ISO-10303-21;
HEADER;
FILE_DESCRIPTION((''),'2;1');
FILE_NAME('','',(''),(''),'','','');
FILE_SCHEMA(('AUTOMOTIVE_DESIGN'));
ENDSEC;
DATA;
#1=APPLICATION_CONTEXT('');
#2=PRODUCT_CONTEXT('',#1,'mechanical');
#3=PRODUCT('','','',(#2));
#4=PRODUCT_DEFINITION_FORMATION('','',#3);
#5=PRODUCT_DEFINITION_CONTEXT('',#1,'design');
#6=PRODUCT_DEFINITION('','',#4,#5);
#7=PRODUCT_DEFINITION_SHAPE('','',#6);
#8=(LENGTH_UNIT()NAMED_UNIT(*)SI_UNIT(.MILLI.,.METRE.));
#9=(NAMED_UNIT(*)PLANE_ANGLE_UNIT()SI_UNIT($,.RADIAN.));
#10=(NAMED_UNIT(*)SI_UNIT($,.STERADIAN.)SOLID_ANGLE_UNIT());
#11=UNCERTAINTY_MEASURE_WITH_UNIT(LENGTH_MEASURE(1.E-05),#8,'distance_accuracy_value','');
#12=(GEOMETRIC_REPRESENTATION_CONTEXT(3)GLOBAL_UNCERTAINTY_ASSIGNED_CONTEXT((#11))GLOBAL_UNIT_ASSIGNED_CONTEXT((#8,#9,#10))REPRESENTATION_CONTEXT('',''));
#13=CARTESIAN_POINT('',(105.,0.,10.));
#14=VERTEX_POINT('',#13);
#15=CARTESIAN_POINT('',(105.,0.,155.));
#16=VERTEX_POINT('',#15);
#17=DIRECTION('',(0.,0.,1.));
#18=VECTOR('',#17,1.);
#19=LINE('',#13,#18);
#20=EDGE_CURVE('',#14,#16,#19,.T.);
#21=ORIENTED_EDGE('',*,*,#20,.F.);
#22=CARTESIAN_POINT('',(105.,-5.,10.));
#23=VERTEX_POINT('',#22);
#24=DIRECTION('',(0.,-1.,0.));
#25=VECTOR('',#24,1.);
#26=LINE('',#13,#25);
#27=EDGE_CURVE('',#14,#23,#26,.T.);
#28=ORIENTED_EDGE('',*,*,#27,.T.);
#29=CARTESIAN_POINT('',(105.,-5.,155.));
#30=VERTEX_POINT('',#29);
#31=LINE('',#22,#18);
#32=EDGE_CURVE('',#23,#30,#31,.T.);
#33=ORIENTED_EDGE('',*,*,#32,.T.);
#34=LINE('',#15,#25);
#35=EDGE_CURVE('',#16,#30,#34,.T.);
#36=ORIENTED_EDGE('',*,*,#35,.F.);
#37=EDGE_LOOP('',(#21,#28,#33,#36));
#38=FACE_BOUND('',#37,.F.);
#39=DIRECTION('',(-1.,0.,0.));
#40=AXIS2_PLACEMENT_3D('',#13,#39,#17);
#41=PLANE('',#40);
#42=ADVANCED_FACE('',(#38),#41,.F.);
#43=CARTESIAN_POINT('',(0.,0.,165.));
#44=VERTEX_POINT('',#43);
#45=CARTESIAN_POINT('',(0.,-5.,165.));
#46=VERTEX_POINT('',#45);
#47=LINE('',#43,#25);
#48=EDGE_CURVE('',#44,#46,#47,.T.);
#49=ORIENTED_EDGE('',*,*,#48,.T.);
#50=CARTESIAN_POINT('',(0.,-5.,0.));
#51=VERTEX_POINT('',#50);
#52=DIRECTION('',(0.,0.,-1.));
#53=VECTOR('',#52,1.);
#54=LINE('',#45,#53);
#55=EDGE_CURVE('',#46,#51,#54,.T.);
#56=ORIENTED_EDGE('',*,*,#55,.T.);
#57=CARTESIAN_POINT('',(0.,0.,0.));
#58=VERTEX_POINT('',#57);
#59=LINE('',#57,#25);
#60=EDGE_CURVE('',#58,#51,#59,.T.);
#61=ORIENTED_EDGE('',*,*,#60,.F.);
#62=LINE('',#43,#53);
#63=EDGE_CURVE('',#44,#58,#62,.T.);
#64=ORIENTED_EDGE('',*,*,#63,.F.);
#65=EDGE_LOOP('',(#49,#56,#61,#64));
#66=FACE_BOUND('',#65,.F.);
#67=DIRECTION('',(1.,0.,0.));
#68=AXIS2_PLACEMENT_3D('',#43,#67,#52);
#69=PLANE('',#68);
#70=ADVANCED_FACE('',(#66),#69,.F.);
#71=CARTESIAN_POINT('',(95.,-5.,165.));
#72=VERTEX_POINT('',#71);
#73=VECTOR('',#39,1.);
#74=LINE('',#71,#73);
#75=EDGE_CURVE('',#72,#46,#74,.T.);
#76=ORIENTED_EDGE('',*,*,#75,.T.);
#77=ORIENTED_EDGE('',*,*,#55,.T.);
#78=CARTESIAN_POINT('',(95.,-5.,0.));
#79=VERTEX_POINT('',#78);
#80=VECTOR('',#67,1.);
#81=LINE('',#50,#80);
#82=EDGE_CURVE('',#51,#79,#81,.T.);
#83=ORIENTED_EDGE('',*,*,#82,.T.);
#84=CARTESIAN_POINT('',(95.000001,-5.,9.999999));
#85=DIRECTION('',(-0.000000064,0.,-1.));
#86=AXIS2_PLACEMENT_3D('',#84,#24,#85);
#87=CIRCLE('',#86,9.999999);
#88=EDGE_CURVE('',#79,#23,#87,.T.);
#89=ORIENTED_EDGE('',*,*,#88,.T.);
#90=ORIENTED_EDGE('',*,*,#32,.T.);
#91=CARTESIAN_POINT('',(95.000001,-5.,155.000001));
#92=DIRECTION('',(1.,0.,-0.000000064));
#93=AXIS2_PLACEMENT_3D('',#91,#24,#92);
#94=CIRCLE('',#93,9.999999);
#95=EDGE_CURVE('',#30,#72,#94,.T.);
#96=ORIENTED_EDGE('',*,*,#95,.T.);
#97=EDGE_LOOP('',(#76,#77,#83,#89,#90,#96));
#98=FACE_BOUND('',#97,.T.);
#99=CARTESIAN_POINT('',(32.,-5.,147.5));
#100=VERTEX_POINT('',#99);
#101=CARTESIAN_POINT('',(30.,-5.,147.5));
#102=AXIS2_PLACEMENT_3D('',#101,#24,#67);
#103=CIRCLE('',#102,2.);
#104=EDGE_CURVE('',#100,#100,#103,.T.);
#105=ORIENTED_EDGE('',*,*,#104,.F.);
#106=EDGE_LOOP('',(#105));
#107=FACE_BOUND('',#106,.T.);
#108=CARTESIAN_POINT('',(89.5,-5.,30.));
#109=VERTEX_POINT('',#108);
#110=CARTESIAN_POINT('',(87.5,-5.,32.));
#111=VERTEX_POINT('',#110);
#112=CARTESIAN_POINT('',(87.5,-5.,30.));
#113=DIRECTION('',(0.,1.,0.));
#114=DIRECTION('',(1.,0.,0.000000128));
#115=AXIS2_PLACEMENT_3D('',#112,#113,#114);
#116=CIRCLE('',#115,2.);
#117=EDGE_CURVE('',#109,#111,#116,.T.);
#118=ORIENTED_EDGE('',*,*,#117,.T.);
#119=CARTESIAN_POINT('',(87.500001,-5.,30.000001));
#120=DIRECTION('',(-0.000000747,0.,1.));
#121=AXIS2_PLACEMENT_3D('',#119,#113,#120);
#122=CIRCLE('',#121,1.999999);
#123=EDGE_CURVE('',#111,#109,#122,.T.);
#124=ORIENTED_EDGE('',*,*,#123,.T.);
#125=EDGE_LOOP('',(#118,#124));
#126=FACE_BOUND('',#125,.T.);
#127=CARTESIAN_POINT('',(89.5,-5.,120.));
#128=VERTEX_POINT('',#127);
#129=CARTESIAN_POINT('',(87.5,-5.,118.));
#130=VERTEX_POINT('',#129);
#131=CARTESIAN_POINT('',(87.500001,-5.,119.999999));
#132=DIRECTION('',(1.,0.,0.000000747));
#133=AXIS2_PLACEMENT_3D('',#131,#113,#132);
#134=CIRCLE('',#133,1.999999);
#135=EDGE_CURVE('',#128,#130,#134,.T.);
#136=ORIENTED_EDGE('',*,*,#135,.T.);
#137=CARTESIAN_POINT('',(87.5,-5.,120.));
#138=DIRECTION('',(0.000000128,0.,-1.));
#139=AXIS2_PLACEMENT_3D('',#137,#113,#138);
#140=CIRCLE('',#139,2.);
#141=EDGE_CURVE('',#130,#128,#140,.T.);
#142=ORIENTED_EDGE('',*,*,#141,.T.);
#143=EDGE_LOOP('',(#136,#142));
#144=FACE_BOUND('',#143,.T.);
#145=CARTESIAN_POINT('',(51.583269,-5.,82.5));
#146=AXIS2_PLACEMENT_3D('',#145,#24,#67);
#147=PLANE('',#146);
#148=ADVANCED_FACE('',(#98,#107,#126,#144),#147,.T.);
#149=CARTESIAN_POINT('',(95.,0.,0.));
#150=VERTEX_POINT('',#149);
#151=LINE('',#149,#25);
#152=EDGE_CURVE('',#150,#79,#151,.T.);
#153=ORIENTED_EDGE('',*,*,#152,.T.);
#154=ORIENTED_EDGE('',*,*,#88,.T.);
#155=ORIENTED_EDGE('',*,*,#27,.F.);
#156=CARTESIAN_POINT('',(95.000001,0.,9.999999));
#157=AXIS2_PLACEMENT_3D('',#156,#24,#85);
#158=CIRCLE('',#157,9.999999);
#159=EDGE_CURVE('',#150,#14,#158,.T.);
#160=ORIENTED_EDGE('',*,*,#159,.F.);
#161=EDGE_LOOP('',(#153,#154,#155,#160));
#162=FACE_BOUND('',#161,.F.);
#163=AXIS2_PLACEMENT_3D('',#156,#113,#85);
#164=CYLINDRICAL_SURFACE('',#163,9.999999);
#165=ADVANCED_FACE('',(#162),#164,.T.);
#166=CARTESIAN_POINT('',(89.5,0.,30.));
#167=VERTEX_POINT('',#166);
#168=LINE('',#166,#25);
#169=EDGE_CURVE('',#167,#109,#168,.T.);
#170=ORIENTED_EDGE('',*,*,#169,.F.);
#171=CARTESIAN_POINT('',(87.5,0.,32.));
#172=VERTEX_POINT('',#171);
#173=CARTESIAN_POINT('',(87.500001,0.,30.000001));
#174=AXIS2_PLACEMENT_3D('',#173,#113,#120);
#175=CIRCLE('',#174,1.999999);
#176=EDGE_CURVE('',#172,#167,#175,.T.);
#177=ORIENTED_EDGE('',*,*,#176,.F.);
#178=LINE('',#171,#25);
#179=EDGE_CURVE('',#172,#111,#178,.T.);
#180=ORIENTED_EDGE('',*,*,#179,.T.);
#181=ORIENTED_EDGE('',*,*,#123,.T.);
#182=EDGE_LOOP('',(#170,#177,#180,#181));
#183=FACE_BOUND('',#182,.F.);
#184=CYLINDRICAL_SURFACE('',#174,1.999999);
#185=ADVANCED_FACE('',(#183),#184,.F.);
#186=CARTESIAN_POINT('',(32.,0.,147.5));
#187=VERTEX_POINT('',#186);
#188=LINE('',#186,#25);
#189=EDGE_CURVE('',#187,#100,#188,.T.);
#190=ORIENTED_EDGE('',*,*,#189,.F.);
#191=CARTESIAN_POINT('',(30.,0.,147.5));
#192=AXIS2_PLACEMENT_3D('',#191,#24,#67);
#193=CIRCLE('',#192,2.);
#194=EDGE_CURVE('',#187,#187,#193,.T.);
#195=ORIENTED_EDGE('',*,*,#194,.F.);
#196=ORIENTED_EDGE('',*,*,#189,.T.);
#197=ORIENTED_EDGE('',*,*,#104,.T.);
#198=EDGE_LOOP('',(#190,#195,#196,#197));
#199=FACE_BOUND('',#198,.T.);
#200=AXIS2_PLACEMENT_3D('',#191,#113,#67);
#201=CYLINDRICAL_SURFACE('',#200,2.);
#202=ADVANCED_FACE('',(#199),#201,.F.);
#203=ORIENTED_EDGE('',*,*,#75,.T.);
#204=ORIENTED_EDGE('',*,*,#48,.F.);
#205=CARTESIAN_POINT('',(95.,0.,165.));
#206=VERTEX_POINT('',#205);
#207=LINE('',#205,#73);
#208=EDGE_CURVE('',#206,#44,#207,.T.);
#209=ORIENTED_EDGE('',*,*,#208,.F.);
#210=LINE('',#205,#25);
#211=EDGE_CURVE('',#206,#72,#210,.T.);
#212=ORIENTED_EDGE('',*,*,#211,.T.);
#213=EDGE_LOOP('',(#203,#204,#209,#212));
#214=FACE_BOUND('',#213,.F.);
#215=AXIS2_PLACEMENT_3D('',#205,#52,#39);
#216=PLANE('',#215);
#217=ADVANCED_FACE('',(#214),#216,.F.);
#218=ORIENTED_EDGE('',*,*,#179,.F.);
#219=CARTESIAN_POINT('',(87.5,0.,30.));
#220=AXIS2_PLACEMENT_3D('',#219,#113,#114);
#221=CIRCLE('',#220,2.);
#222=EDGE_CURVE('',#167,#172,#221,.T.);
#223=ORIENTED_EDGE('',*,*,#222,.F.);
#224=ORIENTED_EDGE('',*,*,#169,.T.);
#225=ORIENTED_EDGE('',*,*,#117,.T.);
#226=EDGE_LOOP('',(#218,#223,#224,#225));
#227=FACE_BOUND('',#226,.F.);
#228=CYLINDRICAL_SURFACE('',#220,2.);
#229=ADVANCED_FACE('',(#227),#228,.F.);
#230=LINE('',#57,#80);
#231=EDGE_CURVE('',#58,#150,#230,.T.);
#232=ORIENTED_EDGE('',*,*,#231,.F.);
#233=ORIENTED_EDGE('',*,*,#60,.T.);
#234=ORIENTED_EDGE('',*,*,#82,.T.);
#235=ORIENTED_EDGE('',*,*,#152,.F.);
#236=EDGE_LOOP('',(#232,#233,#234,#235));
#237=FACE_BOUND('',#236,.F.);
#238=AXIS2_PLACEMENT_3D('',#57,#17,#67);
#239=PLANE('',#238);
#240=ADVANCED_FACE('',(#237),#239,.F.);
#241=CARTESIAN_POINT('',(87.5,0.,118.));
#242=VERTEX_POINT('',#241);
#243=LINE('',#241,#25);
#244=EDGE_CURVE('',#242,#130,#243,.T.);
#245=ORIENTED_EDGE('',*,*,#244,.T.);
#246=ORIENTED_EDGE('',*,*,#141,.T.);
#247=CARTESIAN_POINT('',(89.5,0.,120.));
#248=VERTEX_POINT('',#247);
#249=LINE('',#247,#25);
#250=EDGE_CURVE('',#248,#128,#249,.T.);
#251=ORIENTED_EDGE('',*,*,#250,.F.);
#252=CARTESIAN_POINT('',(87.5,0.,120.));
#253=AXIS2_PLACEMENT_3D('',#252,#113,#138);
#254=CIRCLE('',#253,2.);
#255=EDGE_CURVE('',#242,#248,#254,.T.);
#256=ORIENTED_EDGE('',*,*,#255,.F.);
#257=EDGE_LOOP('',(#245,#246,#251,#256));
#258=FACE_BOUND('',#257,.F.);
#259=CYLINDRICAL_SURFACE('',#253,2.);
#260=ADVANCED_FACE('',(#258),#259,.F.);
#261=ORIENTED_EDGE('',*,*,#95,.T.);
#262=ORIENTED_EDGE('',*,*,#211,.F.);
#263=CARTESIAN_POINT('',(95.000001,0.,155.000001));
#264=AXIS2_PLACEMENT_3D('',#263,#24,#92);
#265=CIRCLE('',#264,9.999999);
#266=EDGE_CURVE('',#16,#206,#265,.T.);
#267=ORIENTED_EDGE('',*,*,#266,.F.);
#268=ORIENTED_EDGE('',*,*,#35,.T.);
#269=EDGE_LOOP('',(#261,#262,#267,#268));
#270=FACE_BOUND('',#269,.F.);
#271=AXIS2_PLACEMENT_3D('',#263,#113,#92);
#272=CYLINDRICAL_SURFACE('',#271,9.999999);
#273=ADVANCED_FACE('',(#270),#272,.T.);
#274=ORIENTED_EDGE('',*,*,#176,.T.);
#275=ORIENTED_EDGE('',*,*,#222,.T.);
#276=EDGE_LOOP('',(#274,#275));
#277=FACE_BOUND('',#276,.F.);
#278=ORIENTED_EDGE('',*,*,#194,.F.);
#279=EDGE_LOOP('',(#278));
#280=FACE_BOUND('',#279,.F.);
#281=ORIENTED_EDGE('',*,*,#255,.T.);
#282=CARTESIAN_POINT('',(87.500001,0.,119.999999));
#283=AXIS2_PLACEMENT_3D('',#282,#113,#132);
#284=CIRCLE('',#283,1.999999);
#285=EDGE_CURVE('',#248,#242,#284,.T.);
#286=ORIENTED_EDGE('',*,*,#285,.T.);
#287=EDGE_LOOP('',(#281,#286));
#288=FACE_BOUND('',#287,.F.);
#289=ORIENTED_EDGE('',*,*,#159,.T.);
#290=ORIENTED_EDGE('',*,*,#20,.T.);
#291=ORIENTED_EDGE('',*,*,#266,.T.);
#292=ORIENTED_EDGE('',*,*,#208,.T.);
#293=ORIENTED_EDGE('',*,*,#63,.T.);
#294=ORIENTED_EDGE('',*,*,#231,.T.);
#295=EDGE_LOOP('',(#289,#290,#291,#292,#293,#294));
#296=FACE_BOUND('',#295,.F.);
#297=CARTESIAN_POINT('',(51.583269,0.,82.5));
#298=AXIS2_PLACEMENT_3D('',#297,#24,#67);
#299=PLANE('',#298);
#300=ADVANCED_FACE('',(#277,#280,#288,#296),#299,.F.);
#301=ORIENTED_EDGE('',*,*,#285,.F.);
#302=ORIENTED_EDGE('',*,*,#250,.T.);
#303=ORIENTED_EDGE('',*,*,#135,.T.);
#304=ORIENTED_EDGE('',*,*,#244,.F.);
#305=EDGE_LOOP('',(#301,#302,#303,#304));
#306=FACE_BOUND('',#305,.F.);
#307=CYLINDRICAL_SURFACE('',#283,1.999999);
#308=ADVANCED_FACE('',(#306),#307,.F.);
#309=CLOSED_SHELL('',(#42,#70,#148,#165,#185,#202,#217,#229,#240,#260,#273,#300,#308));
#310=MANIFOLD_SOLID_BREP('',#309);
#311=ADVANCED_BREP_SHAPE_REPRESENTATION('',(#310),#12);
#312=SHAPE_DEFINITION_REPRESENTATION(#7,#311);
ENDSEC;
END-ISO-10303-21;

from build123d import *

# Parameters (mm, degrees)
F0_R     = 2
F1_DEPTH = 5


with BuildPart() as f1:
    # F0 (on Front) → F1 (new body)
    with BuildSketch(Plane.XZ):
        with BuildLine():
            Line((0, 165), (0, 0))
            Line((0, 0), (95, 0))
            ThreePointArc((95, 0), (102.071068, 2.928932), (105, 10))
            Line((105, 10), (105, 155))
            ThreePointArc((105, 155), (102.071068, 162.071068), (95, 165))
            Line((95, 165), (0, 165))
        make_face()
        with BuildLine():
            ThreePointArc((89.5, 30), (86.085786, 28.585786), (87.5, 32))
            ThreePointArc((87.5, 32), (88.914214, 31.414214), (89.5, 30))
        make_face(mode=Mode.SUBTRACT)
        with Locations((30, 147.5)):
            Circle(F0_R, mode=Mode.SUBTRACT)
        with BuildLine():
            ThreePointArc((87.5, 118), (86.085786, 121.414214), (89.5, 120))
            ThreePointArc((89.5, 120), (88.914214, 118.585786), (87.5, 118))
        make_face(mode=Mode.SUBTRACT)
    extrude(amount=F1_DEPTH)


solid = f1.part
